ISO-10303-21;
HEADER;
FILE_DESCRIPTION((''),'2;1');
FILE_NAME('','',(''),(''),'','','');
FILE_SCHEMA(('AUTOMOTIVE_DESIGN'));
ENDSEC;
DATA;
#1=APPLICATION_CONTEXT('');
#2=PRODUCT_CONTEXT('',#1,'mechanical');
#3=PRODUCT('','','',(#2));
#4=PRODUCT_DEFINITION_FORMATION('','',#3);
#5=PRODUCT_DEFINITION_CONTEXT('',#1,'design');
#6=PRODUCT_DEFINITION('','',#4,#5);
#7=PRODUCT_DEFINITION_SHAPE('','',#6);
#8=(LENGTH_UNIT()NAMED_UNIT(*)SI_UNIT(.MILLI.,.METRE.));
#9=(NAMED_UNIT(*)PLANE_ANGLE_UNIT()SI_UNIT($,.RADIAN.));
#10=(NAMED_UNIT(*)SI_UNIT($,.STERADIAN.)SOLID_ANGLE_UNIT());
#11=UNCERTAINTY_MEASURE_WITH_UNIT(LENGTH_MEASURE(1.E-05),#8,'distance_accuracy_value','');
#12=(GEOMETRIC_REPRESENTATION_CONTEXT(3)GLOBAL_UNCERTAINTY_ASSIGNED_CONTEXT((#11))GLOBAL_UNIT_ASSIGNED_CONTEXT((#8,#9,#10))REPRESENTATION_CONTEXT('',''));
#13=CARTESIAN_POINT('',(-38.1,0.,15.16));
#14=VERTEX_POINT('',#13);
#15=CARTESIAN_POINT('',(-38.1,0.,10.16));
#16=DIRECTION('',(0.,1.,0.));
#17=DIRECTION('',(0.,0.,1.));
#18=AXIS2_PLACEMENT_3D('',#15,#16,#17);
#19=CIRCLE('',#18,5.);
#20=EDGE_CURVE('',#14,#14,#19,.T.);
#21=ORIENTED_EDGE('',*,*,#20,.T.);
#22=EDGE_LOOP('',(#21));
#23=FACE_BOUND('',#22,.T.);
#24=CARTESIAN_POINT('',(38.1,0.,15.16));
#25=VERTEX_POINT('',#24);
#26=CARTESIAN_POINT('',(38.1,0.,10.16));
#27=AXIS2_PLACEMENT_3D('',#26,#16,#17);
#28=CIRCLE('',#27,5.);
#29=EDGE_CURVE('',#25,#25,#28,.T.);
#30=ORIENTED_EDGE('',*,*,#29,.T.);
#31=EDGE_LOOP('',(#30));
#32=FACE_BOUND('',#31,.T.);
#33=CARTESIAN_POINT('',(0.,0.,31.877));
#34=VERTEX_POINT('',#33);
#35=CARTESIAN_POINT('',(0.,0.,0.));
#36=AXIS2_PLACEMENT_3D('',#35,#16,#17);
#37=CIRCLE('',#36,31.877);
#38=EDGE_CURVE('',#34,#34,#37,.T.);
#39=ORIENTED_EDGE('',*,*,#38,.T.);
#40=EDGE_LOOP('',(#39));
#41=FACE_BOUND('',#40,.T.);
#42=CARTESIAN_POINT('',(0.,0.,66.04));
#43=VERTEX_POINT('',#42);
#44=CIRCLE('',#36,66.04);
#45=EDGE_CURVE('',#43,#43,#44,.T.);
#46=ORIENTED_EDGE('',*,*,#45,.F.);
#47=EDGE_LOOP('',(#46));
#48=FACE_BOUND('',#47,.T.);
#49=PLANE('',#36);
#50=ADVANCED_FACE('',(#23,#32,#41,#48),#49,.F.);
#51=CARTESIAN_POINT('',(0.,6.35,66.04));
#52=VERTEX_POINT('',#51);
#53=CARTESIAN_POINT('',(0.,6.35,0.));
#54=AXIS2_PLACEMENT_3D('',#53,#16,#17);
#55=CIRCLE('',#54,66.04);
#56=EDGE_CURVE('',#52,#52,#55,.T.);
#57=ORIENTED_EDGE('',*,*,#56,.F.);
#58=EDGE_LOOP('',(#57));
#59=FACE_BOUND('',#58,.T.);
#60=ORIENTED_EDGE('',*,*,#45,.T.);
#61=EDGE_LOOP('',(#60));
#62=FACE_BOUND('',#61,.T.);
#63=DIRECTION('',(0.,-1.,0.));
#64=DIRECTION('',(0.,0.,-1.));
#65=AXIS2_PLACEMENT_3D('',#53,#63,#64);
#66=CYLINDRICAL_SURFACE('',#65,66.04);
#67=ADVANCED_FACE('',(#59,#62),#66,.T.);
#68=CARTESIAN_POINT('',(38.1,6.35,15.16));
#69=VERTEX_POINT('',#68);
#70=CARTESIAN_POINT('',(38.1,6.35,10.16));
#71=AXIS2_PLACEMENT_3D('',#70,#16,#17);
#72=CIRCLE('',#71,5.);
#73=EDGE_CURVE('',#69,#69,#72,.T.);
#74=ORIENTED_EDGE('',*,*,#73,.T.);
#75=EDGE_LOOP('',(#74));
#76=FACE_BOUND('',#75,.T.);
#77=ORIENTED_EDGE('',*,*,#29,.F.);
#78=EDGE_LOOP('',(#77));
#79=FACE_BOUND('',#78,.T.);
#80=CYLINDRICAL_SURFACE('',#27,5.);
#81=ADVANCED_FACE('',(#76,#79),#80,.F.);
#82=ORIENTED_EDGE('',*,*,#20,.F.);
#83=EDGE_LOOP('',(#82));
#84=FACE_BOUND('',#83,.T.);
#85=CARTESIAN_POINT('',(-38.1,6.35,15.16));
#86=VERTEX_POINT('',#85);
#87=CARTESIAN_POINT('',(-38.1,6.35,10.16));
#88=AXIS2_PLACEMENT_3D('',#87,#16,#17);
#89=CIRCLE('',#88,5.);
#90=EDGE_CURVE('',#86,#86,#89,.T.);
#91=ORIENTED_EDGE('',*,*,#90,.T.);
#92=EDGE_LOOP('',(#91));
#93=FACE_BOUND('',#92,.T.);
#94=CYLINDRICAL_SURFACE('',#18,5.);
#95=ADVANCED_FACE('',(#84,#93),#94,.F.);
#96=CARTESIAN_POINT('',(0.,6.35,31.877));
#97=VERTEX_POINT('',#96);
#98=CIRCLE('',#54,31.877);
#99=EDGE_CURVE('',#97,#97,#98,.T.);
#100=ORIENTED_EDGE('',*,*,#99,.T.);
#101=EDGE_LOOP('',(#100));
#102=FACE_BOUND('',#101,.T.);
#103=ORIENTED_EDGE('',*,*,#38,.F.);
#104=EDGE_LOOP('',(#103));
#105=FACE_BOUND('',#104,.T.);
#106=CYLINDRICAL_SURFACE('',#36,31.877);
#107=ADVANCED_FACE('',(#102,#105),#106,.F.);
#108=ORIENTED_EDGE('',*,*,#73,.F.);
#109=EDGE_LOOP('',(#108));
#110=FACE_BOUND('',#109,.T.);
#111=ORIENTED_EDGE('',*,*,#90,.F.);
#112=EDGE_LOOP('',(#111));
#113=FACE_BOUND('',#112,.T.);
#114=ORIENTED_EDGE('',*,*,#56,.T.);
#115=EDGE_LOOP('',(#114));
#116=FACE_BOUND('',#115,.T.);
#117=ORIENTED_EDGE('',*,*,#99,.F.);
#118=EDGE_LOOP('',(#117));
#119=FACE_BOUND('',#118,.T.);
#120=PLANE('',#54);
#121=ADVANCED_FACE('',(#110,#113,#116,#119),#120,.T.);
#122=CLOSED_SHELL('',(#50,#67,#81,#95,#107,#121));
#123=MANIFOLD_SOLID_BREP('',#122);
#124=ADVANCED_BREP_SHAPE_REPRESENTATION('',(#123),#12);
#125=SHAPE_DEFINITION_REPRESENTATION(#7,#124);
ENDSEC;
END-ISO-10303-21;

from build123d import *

# Parameters (mm, degrees)
SKETCH1_R           = 66.04
BOSS_EXTRUDE1_DEPTH = 6.35
SKETCH2_R           = 31.877
CUT_EXTRUDE1_DEPTH  = 6.35
SKETCH3_R           = 5
CUT_EXTRUDE2_DEPTH  = 6.35


with BuildPart() as part:
    # Sketch1 → Boss-Extrude1 (new body)
    with BuildSketch(Plane(origin=(0, 0, 0), x_dir=(1, 0, 0), z_dir=(0, 1, 0))):
        with Locations(Location((0, 0, 0), (0, 0, 270))):
            Circle(SKETCH1_R)
    extrude(amount=BOSS_EXTRUDE1_DEPTH)

    # Sketch2 → Cut-Extrude1 (cut)
    with BuildSketch(Plane(origin=(0, 6.35, 0), x_dir=(1, 0, 0), z_dir=(0, 1, 0))):
        with Locations(Location((0, 0, 0), (0, 0, 270))):
            Circle(SKETCH2_R)
    extrude(amount=-CUT_EXTRUDE1_DEPTH, mode=Mode.SUBTRACT)

    # Sketch3 → Cut-Extrude2 (cut)
    with BuildSketch(Plane(origin=(0, 6.35, 0), x_dir=(1, 0, 0), z_dir=(0, 1, 0))):
        with Locations(Location((38.1, -10.16, 0), (0, 0, 270))):
            Circle(SKETCH3_R)
        with Locations(Location((-38.1, -10.16, 0), (0, 0, 270))):
            Circle(SKETCH3_R)
    extrude(amount=-CUT_EXTRUDE2_DEPTH, mode=Mode.SUBTRACT)


solid = part.part
